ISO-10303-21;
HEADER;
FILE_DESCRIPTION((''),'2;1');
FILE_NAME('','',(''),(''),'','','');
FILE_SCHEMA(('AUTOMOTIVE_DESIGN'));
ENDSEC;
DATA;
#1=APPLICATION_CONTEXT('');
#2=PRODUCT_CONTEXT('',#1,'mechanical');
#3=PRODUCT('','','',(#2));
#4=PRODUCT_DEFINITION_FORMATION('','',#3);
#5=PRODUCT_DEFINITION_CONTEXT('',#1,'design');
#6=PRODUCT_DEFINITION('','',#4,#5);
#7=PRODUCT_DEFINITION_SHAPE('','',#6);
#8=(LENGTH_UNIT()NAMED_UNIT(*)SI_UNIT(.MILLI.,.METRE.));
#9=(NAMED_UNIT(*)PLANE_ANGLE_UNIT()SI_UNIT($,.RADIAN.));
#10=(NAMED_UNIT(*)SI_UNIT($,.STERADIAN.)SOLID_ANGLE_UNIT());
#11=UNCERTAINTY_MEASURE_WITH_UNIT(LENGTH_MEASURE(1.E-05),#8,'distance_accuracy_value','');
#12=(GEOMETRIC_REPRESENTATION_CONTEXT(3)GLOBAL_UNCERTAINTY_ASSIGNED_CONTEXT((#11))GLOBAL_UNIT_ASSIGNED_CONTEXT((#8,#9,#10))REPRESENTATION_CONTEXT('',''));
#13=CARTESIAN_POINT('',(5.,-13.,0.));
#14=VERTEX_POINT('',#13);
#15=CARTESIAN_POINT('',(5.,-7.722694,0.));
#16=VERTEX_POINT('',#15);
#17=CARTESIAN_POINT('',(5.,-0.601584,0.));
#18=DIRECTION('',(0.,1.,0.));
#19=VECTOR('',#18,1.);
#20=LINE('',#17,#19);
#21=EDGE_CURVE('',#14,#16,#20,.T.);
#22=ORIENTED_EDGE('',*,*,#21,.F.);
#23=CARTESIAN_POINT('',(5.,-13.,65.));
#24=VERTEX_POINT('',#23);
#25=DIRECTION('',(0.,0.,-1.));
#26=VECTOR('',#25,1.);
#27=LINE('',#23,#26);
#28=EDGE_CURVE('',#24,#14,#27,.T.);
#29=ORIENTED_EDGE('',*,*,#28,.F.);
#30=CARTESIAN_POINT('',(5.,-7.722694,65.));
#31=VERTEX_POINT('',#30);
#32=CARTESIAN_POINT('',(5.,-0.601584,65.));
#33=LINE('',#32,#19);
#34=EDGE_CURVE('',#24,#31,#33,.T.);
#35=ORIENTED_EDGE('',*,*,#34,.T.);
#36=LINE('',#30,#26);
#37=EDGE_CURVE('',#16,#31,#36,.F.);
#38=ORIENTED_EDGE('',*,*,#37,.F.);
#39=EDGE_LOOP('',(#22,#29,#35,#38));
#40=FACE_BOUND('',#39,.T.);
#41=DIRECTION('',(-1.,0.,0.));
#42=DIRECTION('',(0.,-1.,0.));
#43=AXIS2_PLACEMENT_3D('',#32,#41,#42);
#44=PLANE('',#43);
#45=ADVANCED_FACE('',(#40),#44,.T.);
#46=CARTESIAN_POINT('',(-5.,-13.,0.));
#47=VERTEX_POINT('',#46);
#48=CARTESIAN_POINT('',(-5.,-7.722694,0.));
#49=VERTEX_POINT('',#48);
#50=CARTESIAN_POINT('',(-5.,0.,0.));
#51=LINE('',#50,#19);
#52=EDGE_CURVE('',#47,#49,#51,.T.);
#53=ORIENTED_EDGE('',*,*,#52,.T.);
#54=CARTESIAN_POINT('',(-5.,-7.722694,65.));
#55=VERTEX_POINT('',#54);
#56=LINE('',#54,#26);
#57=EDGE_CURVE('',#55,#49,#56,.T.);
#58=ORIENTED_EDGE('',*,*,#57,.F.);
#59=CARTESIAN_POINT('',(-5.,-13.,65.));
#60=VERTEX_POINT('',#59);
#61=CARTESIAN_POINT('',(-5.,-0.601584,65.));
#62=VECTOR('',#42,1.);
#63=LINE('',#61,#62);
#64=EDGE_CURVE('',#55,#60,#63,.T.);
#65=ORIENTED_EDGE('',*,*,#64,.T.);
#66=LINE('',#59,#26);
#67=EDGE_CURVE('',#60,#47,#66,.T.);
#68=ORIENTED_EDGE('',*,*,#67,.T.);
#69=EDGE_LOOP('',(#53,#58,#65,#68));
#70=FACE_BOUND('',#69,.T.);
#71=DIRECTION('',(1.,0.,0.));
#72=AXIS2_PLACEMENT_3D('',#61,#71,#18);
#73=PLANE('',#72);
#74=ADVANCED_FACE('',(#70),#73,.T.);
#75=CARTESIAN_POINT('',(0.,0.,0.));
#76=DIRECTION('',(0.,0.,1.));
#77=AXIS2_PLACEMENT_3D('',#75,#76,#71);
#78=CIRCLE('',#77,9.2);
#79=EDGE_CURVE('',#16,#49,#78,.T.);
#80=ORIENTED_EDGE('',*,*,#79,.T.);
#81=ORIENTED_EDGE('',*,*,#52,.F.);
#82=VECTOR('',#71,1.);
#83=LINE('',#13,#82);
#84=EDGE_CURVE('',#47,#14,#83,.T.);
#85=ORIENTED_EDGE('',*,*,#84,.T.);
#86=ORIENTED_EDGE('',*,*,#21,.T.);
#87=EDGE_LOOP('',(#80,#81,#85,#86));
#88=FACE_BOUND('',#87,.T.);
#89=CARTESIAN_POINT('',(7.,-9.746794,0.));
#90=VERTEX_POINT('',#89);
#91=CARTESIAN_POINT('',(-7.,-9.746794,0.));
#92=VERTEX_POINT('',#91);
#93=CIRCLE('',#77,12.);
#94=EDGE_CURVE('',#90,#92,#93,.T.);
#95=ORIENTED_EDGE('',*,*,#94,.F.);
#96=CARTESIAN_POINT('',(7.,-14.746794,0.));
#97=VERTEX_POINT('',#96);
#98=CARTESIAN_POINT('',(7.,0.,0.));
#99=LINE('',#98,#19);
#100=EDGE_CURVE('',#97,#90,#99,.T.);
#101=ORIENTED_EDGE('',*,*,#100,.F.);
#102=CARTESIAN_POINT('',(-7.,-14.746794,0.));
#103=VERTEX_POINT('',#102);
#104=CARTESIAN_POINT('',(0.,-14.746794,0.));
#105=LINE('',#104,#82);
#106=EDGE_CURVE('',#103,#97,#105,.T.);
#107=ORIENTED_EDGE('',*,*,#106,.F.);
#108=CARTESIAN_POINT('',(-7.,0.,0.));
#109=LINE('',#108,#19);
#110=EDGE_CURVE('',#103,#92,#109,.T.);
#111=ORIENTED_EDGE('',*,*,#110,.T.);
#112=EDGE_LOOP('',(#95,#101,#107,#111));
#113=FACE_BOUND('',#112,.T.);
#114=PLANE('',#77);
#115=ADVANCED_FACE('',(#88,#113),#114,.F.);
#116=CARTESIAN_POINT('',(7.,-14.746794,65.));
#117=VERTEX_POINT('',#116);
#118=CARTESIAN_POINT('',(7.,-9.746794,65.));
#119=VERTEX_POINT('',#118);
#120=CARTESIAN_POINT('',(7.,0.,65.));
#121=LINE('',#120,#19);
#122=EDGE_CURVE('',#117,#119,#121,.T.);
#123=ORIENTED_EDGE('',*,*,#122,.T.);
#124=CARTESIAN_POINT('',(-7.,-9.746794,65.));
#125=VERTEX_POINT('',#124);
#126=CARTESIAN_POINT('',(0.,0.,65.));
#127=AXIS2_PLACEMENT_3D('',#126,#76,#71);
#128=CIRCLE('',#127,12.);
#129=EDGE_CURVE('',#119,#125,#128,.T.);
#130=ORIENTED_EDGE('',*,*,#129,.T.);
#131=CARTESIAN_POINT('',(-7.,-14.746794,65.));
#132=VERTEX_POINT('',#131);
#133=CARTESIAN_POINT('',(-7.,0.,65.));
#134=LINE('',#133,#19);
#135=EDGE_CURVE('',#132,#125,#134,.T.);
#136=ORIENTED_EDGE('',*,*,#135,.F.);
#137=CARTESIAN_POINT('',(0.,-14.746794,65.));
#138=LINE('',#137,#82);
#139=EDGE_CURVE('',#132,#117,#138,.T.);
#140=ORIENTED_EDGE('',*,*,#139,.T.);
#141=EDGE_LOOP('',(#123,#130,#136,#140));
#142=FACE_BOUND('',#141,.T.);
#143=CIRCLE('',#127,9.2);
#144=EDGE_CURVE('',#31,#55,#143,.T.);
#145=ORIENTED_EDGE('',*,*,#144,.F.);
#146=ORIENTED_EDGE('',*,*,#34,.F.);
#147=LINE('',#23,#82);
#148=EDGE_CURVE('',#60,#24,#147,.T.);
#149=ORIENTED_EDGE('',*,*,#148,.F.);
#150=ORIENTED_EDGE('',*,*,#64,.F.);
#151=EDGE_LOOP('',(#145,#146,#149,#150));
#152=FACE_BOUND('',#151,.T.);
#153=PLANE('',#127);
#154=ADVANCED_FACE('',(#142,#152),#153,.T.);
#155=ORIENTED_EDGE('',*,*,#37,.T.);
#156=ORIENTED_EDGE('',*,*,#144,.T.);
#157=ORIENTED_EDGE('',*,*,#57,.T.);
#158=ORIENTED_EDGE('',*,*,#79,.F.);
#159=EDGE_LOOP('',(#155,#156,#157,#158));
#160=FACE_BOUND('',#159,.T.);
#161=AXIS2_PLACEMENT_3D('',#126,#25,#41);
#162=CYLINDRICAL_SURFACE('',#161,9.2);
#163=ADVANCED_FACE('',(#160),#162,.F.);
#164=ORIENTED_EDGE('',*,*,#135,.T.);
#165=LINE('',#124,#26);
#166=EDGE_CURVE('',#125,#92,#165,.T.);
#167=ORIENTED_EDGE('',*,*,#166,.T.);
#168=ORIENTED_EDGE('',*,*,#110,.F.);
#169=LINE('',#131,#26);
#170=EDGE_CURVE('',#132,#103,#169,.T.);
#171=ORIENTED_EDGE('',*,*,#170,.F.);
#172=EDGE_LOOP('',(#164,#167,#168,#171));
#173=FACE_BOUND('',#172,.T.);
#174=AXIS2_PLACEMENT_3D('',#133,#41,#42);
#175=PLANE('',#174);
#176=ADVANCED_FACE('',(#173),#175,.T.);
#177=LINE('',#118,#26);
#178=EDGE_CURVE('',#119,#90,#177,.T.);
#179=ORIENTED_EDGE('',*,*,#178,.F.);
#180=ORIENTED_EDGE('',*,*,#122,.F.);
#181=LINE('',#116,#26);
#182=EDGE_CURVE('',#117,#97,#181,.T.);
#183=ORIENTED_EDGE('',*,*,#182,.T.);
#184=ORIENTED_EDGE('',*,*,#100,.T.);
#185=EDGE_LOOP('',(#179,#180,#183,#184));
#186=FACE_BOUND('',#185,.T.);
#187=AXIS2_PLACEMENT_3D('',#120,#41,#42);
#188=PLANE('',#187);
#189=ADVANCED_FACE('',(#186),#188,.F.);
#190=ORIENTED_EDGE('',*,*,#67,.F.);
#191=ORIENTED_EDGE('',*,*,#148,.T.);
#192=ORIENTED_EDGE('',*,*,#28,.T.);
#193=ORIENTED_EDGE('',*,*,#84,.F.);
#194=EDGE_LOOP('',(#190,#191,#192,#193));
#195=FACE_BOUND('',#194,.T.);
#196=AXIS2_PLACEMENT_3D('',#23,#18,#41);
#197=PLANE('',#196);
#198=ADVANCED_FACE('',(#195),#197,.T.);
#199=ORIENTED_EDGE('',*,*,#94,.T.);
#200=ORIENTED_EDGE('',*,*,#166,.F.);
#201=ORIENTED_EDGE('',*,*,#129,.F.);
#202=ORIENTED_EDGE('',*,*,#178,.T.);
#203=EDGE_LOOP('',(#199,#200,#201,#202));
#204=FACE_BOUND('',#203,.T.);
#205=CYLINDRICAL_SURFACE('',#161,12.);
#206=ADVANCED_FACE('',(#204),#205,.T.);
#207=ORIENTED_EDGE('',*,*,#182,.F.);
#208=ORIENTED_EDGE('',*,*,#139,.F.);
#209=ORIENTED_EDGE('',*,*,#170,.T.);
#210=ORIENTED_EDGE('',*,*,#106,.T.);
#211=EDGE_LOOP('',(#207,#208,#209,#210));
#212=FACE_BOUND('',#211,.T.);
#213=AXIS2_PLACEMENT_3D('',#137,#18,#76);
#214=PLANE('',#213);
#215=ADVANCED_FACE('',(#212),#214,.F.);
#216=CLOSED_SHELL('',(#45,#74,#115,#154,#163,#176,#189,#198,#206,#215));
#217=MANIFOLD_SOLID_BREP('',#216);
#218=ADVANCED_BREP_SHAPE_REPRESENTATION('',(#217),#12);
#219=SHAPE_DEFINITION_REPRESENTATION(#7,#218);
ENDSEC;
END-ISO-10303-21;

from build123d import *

# Parameters (mm, degrees)
SKETCH1_R           = 9.2
BOSS_EXTRUDE1_DEPTH = 65
SKETCH2_W           = 10
SKETCH2_H           = 12.398416249
CUT_EXTRUDE3_DEPTH  = 68.723466712


with BuildPart() as part:
    # Sketch1 → Boss-Extrude1 (new body)
    with BuildSketch(Plane.XY):
        with BuildLine():
            Line((-7, -9.746794345), (-7, -14.746794345))
            Line((-7, -14.746794345), (7, -14.746794345))
            Line((7, -14.746794345), (7, -9.746794345))
            ThreePointArc((7, -9.746794345), (0, 12), (-7, -9.746794345))
        make_face()
        Circle(SKETCH1_R, mode=Mode.SUBTRACT)
    extrude(amount=BOSS_EXTRUDE1_DEPTH)

    # Sketch2 → Cut-Extrude3 (cut, through all)
    with BuildSketch(Plane.XY):
        with Locations((0, -6.800791875)):
            Rectangle(SKETCH2_W, SKETCH2_H)
    extrude(amount=CUT_EXTRUDE3_DEPTH, mode=Mode.SUBTRACT)


solid = part.part
